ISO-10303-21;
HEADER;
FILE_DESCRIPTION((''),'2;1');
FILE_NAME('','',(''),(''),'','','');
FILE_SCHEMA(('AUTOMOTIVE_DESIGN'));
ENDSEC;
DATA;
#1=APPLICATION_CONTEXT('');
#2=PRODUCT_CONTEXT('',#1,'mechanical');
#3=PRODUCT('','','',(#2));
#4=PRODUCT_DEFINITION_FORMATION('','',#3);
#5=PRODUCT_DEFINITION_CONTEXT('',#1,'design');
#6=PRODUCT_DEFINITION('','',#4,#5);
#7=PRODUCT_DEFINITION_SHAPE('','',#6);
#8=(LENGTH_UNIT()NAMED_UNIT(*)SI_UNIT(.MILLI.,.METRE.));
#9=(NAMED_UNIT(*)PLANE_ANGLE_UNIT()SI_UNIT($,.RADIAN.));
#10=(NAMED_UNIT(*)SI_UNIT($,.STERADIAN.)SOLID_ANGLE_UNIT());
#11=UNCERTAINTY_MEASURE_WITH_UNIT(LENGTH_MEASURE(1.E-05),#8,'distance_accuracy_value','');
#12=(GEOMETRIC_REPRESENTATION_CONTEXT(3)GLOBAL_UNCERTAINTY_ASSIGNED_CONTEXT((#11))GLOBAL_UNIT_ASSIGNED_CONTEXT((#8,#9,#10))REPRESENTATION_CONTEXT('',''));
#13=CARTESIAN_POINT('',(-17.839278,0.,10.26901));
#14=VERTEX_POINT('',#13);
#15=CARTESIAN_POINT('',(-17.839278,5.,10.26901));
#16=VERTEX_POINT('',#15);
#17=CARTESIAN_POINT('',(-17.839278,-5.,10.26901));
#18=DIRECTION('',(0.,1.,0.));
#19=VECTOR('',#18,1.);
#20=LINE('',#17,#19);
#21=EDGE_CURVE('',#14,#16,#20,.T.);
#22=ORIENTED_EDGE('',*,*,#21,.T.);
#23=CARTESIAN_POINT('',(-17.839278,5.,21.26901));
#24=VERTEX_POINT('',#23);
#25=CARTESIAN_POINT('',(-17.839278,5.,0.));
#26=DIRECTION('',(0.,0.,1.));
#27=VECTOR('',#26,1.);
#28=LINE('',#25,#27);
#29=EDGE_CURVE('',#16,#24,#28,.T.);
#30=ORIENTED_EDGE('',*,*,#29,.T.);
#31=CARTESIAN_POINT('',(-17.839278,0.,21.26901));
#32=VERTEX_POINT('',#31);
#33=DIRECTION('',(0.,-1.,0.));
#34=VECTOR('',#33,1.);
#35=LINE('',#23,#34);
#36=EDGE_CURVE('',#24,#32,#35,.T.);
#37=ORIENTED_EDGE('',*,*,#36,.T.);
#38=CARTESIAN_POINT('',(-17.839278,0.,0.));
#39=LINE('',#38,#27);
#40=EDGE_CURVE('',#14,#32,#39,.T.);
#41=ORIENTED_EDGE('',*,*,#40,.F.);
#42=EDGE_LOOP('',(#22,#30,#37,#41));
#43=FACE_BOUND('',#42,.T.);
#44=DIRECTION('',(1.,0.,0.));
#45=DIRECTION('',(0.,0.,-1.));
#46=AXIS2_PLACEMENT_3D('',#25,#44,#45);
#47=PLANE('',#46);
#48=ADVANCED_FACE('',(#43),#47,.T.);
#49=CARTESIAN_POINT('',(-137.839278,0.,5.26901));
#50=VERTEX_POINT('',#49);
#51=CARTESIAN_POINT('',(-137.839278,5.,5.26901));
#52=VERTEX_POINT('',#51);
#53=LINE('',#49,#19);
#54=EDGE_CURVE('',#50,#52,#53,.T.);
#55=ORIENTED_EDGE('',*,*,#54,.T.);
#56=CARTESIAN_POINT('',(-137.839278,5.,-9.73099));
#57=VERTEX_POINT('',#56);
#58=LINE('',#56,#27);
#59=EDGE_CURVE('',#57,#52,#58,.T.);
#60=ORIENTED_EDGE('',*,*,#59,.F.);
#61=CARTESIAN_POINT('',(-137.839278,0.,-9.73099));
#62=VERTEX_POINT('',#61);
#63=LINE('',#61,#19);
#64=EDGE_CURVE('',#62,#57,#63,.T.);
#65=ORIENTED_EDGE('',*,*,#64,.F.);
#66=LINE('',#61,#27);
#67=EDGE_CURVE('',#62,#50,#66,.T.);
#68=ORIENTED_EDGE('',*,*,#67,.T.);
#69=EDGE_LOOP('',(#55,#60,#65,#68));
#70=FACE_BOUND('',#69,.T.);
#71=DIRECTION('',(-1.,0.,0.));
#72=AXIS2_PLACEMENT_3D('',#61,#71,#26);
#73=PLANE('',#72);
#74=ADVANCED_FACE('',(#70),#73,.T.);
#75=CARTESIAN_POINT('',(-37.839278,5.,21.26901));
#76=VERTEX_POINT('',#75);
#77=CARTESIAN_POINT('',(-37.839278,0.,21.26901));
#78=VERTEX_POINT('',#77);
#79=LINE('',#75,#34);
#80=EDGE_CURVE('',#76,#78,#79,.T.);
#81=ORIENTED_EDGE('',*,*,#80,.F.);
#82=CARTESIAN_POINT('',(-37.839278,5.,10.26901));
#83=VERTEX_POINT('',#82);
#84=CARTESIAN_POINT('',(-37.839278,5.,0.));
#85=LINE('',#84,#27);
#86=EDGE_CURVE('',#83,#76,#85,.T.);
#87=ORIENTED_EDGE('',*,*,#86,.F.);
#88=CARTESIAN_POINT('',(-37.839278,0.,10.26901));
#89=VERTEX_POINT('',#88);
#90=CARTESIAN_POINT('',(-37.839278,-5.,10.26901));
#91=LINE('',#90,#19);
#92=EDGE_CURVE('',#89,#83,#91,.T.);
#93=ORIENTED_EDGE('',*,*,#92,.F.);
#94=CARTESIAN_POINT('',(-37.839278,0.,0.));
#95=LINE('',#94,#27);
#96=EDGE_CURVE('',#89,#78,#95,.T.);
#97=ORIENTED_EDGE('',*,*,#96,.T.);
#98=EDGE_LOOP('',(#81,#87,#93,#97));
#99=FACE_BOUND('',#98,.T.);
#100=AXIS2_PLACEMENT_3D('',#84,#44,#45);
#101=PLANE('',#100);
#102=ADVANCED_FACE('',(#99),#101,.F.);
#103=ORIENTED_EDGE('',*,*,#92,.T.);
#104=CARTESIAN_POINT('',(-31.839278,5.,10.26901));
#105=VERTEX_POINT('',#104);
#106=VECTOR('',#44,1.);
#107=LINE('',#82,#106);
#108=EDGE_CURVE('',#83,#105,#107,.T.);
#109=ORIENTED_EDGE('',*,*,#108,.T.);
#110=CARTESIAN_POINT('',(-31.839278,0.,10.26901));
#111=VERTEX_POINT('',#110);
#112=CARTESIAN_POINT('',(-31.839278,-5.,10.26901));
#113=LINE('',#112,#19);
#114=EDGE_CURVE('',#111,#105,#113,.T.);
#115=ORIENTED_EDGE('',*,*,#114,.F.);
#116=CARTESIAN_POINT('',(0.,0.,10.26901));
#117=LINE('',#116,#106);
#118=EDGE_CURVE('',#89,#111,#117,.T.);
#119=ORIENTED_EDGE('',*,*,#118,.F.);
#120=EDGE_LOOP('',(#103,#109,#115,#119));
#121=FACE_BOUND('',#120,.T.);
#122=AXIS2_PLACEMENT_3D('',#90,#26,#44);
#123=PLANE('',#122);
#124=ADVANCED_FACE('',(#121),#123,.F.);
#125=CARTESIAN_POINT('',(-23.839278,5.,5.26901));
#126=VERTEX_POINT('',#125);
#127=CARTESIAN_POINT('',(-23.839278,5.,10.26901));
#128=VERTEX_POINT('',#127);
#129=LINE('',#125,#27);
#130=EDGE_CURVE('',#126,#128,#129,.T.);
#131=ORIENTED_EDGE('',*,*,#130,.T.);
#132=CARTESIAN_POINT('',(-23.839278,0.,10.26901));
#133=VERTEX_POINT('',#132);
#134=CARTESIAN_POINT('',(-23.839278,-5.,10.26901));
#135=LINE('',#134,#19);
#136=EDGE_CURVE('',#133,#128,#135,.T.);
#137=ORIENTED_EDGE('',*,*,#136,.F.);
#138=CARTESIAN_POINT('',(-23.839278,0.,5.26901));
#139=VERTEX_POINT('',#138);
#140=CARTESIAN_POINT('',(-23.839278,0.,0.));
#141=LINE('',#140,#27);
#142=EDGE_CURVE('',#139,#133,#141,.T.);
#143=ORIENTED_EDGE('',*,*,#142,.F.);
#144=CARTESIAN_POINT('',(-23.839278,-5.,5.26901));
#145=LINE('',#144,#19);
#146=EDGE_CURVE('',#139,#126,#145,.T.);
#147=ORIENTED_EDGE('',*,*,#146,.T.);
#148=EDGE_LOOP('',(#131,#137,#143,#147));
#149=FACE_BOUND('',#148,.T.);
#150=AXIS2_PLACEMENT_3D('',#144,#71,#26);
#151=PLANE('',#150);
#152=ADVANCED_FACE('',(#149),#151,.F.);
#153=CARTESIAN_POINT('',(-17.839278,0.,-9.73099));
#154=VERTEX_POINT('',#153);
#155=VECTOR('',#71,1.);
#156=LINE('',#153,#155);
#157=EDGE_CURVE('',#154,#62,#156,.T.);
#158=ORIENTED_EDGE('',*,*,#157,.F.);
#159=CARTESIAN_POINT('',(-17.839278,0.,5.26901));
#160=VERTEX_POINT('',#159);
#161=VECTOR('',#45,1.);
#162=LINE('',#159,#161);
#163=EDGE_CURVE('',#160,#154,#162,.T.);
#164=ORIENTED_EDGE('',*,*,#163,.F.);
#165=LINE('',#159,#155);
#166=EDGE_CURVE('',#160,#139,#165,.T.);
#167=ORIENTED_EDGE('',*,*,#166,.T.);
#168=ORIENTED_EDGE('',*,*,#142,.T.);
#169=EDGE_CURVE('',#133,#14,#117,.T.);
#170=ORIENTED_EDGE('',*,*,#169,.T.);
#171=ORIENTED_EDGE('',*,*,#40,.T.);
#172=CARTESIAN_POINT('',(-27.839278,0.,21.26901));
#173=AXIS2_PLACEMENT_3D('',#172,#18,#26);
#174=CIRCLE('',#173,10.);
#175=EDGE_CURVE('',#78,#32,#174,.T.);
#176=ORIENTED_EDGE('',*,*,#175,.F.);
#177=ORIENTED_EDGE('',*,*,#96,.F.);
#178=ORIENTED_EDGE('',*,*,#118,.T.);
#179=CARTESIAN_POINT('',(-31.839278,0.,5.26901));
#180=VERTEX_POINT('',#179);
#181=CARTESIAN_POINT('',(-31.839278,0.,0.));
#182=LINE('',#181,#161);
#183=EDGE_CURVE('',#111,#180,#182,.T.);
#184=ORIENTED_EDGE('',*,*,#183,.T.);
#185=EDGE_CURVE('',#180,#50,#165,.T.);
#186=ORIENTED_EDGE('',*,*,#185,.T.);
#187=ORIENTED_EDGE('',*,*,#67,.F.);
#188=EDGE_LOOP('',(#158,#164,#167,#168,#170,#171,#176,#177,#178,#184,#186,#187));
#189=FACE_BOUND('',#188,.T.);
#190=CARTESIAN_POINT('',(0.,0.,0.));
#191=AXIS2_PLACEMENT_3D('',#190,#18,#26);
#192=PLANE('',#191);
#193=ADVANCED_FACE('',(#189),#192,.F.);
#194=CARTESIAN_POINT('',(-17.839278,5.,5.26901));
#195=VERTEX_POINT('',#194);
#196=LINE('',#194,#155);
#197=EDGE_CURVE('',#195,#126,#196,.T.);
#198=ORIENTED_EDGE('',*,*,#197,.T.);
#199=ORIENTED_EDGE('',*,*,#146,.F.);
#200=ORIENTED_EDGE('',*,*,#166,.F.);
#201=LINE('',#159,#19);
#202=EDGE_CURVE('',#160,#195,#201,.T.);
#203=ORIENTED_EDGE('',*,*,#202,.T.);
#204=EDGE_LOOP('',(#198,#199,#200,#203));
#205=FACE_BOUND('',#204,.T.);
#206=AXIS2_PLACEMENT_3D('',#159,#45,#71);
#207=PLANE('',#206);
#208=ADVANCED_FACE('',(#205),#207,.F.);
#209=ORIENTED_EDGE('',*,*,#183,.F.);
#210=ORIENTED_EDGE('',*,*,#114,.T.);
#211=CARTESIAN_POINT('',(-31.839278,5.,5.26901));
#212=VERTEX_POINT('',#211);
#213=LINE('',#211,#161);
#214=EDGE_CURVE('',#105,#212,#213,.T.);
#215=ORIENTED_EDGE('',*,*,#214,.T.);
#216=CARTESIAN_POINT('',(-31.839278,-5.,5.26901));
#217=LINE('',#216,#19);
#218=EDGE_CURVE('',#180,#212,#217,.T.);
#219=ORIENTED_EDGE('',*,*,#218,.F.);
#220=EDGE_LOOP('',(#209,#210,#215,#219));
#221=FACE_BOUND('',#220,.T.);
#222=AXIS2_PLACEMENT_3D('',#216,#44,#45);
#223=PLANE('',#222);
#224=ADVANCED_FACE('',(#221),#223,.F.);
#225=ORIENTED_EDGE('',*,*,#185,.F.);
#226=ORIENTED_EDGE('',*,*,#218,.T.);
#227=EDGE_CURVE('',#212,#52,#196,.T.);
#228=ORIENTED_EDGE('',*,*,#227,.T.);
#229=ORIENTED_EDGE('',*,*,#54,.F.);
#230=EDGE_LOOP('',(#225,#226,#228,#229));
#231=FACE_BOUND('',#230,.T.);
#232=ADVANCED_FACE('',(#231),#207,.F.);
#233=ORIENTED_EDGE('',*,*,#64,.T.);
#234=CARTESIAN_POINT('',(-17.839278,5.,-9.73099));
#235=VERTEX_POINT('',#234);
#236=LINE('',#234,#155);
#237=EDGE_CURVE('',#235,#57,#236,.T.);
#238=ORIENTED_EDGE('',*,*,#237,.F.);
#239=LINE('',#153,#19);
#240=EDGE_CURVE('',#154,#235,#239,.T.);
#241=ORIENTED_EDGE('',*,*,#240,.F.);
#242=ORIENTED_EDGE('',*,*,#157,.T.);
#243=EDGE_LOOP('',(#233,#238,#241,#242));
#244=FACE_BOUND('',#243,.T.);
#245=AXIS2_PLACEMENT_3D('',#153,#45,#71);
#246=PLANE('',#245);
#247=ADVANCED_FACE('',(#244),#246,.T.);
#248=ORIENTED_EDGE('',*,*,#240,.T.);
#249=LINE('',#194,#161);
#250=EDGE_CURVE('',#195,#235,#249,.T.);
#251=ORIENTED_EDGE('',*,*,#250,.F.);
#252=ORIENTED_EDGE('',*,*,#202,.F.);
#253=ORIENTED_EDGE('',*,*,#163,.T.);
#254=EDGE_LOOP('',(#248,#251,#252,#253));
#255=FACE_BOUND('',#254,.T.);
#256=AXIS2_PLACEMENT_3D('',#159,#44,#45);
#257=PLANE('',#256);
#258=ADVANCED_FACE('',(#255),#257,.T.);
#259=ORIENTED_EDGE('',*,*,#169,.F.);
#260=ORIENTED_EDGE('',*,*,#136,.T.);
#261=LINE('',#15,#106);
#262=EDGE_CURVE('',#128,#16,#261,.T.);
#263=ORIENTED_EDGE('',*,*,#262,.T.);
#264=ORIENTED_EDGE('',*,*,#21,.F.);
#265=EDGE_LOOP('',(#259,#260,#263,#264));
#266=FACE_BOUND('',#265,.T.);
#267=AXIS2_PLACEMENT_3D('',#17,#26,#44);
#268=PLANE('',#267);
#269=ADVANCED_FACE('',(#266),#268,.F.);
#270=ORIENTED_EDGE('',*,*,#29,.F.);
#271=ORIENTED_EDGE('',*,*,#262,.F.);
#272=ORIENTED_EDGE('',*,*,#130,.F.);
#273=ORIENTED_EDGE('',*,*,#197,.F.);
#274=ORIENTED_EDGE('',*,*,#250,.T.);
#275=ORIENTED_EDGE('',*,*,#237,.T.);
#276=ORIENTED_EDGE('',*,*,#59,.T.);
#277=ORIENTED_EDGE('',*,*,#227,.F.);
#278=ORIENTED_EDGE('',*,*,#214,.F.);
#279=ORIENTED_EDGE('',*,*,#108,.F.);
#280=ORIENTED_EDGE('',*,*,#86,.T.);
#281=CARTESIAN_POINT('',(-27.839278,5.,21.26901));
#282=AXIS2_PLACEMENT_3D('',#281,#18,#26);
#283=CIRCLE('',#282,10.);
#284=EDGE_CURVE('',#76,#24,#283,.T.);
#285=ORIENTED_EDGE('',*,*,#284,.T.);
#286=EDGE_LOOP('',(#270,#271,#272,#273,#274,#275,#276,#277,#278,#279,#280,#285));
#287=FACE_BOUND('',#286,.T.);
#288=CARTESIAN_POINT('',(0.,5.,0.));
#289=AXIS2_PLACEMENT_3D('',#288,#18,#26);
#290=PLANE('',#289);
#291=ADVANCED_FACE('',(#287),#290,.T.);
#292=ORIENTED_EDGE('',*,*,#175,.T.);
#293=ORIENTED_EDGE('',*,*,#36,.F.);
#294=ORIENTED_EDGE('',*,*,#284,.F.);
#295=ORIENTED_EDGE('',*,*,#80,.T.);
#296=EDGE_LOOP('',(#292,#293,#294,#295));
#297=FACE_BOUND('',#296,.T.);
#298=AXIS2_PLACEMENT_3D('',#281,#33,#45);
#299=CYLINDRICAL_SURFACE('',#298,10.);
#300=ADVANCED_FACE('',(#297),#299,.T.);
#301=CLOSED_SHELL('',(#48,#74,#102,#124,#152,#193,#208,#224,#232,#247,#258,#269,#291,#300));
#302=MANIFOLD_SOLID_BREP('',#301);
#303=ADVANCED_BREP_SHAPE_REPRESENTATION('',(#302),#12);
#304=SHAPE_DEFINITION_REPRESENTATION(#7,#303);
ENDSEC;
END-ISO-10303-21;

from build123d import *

# Parameters (mm, degrees)
RESSALTO_EXTRUS_O1_DEPTH = 5
ESBO_O2_W                = 6
ESBO_O2_H                = 5
CORTE_EXTRUS_O1_DEPTH    = 10
ESBO_O3_W                = 120
ESBO_O3_H                = 15
RESSALTO_EXTRUS_O2_DEPTH = 5


with BuildPart() as part:
    # Esboço1 → Ressalto-extrusão1 (new body)
    with BuildSketch(Plane(origin=(0, 0, 0), x_dir=(1, 0, 0), z_dir=(0, 1, 0))):
        with BuildLine():
            ThreePointArc((-17.839278071, -21.26900995), (-27.839278071, -11.26900995), (-37.839278071, -21.26900995))
            Line((-37.839278071, -21.26900995), (-17.839278071, -21.26900995))
        make_face()
        with BuildLine():
            Line((-17.839278071, -21.26900995), (-37.839278071, -21.26900995))
            ThreePointArc((-37.839278071, -21.26900995), (-27.839278071, -31.26900995), (-17.839278071, -21.26900995))
        make_face()
        with BuildLine():
            Line((-17.839278071, -5.26900995), (-37.839278071, -5.26900995))
            Line((-37.839278071, -5.26900995), (-37.839278071, -21.26900995))
            ThreePointArc((-37.839278071, -21.26900995), (-27.839278071, -11.26900995), (-17.839278071, -21.26900995))
            Line((-17.839278071, -21.26900995), (-17.839278071, -5.26900995))
        make_face()
    extrude(amount=RESSALTO_EXTRUS_O1_DEPTH)

    # Esboço2 → Corte-extrusão1 (cut)
    with BuildSketch(Plane(origin=(0, 5, 0), x_dir=(1, 0, 0), z_dir=(0, 1, 0))):
        with Locations((-34.839278071, -7.76900995)):
            Rectangle(ESBO_O2_W, ESBO_O2_H)
        with Locations((-20.839278071, -7.76900995)):
            Rectangle(ESBO_O2_W, ESBO_O2_H)
    extrude(amount=-CORTE_EXTRUS_O1_DEPTH, mode=Mode.SUBTRACT)

    # Esboço3 → Ressalto-extrusão2 (add)
    with BuildSketch(Plane(origin=(0, 5, 0), x_dir=(1, 0, 0), z_dir=(0, 1, 0))):
        with Locations((-77.839278071, 2.23099005)):
            Rectangle(ESBO_O3_W, ESBO_O3_H)
    extrude(amount=-RESSALTO_EXTRUS_O2_DEPTH)


solid = part.part
